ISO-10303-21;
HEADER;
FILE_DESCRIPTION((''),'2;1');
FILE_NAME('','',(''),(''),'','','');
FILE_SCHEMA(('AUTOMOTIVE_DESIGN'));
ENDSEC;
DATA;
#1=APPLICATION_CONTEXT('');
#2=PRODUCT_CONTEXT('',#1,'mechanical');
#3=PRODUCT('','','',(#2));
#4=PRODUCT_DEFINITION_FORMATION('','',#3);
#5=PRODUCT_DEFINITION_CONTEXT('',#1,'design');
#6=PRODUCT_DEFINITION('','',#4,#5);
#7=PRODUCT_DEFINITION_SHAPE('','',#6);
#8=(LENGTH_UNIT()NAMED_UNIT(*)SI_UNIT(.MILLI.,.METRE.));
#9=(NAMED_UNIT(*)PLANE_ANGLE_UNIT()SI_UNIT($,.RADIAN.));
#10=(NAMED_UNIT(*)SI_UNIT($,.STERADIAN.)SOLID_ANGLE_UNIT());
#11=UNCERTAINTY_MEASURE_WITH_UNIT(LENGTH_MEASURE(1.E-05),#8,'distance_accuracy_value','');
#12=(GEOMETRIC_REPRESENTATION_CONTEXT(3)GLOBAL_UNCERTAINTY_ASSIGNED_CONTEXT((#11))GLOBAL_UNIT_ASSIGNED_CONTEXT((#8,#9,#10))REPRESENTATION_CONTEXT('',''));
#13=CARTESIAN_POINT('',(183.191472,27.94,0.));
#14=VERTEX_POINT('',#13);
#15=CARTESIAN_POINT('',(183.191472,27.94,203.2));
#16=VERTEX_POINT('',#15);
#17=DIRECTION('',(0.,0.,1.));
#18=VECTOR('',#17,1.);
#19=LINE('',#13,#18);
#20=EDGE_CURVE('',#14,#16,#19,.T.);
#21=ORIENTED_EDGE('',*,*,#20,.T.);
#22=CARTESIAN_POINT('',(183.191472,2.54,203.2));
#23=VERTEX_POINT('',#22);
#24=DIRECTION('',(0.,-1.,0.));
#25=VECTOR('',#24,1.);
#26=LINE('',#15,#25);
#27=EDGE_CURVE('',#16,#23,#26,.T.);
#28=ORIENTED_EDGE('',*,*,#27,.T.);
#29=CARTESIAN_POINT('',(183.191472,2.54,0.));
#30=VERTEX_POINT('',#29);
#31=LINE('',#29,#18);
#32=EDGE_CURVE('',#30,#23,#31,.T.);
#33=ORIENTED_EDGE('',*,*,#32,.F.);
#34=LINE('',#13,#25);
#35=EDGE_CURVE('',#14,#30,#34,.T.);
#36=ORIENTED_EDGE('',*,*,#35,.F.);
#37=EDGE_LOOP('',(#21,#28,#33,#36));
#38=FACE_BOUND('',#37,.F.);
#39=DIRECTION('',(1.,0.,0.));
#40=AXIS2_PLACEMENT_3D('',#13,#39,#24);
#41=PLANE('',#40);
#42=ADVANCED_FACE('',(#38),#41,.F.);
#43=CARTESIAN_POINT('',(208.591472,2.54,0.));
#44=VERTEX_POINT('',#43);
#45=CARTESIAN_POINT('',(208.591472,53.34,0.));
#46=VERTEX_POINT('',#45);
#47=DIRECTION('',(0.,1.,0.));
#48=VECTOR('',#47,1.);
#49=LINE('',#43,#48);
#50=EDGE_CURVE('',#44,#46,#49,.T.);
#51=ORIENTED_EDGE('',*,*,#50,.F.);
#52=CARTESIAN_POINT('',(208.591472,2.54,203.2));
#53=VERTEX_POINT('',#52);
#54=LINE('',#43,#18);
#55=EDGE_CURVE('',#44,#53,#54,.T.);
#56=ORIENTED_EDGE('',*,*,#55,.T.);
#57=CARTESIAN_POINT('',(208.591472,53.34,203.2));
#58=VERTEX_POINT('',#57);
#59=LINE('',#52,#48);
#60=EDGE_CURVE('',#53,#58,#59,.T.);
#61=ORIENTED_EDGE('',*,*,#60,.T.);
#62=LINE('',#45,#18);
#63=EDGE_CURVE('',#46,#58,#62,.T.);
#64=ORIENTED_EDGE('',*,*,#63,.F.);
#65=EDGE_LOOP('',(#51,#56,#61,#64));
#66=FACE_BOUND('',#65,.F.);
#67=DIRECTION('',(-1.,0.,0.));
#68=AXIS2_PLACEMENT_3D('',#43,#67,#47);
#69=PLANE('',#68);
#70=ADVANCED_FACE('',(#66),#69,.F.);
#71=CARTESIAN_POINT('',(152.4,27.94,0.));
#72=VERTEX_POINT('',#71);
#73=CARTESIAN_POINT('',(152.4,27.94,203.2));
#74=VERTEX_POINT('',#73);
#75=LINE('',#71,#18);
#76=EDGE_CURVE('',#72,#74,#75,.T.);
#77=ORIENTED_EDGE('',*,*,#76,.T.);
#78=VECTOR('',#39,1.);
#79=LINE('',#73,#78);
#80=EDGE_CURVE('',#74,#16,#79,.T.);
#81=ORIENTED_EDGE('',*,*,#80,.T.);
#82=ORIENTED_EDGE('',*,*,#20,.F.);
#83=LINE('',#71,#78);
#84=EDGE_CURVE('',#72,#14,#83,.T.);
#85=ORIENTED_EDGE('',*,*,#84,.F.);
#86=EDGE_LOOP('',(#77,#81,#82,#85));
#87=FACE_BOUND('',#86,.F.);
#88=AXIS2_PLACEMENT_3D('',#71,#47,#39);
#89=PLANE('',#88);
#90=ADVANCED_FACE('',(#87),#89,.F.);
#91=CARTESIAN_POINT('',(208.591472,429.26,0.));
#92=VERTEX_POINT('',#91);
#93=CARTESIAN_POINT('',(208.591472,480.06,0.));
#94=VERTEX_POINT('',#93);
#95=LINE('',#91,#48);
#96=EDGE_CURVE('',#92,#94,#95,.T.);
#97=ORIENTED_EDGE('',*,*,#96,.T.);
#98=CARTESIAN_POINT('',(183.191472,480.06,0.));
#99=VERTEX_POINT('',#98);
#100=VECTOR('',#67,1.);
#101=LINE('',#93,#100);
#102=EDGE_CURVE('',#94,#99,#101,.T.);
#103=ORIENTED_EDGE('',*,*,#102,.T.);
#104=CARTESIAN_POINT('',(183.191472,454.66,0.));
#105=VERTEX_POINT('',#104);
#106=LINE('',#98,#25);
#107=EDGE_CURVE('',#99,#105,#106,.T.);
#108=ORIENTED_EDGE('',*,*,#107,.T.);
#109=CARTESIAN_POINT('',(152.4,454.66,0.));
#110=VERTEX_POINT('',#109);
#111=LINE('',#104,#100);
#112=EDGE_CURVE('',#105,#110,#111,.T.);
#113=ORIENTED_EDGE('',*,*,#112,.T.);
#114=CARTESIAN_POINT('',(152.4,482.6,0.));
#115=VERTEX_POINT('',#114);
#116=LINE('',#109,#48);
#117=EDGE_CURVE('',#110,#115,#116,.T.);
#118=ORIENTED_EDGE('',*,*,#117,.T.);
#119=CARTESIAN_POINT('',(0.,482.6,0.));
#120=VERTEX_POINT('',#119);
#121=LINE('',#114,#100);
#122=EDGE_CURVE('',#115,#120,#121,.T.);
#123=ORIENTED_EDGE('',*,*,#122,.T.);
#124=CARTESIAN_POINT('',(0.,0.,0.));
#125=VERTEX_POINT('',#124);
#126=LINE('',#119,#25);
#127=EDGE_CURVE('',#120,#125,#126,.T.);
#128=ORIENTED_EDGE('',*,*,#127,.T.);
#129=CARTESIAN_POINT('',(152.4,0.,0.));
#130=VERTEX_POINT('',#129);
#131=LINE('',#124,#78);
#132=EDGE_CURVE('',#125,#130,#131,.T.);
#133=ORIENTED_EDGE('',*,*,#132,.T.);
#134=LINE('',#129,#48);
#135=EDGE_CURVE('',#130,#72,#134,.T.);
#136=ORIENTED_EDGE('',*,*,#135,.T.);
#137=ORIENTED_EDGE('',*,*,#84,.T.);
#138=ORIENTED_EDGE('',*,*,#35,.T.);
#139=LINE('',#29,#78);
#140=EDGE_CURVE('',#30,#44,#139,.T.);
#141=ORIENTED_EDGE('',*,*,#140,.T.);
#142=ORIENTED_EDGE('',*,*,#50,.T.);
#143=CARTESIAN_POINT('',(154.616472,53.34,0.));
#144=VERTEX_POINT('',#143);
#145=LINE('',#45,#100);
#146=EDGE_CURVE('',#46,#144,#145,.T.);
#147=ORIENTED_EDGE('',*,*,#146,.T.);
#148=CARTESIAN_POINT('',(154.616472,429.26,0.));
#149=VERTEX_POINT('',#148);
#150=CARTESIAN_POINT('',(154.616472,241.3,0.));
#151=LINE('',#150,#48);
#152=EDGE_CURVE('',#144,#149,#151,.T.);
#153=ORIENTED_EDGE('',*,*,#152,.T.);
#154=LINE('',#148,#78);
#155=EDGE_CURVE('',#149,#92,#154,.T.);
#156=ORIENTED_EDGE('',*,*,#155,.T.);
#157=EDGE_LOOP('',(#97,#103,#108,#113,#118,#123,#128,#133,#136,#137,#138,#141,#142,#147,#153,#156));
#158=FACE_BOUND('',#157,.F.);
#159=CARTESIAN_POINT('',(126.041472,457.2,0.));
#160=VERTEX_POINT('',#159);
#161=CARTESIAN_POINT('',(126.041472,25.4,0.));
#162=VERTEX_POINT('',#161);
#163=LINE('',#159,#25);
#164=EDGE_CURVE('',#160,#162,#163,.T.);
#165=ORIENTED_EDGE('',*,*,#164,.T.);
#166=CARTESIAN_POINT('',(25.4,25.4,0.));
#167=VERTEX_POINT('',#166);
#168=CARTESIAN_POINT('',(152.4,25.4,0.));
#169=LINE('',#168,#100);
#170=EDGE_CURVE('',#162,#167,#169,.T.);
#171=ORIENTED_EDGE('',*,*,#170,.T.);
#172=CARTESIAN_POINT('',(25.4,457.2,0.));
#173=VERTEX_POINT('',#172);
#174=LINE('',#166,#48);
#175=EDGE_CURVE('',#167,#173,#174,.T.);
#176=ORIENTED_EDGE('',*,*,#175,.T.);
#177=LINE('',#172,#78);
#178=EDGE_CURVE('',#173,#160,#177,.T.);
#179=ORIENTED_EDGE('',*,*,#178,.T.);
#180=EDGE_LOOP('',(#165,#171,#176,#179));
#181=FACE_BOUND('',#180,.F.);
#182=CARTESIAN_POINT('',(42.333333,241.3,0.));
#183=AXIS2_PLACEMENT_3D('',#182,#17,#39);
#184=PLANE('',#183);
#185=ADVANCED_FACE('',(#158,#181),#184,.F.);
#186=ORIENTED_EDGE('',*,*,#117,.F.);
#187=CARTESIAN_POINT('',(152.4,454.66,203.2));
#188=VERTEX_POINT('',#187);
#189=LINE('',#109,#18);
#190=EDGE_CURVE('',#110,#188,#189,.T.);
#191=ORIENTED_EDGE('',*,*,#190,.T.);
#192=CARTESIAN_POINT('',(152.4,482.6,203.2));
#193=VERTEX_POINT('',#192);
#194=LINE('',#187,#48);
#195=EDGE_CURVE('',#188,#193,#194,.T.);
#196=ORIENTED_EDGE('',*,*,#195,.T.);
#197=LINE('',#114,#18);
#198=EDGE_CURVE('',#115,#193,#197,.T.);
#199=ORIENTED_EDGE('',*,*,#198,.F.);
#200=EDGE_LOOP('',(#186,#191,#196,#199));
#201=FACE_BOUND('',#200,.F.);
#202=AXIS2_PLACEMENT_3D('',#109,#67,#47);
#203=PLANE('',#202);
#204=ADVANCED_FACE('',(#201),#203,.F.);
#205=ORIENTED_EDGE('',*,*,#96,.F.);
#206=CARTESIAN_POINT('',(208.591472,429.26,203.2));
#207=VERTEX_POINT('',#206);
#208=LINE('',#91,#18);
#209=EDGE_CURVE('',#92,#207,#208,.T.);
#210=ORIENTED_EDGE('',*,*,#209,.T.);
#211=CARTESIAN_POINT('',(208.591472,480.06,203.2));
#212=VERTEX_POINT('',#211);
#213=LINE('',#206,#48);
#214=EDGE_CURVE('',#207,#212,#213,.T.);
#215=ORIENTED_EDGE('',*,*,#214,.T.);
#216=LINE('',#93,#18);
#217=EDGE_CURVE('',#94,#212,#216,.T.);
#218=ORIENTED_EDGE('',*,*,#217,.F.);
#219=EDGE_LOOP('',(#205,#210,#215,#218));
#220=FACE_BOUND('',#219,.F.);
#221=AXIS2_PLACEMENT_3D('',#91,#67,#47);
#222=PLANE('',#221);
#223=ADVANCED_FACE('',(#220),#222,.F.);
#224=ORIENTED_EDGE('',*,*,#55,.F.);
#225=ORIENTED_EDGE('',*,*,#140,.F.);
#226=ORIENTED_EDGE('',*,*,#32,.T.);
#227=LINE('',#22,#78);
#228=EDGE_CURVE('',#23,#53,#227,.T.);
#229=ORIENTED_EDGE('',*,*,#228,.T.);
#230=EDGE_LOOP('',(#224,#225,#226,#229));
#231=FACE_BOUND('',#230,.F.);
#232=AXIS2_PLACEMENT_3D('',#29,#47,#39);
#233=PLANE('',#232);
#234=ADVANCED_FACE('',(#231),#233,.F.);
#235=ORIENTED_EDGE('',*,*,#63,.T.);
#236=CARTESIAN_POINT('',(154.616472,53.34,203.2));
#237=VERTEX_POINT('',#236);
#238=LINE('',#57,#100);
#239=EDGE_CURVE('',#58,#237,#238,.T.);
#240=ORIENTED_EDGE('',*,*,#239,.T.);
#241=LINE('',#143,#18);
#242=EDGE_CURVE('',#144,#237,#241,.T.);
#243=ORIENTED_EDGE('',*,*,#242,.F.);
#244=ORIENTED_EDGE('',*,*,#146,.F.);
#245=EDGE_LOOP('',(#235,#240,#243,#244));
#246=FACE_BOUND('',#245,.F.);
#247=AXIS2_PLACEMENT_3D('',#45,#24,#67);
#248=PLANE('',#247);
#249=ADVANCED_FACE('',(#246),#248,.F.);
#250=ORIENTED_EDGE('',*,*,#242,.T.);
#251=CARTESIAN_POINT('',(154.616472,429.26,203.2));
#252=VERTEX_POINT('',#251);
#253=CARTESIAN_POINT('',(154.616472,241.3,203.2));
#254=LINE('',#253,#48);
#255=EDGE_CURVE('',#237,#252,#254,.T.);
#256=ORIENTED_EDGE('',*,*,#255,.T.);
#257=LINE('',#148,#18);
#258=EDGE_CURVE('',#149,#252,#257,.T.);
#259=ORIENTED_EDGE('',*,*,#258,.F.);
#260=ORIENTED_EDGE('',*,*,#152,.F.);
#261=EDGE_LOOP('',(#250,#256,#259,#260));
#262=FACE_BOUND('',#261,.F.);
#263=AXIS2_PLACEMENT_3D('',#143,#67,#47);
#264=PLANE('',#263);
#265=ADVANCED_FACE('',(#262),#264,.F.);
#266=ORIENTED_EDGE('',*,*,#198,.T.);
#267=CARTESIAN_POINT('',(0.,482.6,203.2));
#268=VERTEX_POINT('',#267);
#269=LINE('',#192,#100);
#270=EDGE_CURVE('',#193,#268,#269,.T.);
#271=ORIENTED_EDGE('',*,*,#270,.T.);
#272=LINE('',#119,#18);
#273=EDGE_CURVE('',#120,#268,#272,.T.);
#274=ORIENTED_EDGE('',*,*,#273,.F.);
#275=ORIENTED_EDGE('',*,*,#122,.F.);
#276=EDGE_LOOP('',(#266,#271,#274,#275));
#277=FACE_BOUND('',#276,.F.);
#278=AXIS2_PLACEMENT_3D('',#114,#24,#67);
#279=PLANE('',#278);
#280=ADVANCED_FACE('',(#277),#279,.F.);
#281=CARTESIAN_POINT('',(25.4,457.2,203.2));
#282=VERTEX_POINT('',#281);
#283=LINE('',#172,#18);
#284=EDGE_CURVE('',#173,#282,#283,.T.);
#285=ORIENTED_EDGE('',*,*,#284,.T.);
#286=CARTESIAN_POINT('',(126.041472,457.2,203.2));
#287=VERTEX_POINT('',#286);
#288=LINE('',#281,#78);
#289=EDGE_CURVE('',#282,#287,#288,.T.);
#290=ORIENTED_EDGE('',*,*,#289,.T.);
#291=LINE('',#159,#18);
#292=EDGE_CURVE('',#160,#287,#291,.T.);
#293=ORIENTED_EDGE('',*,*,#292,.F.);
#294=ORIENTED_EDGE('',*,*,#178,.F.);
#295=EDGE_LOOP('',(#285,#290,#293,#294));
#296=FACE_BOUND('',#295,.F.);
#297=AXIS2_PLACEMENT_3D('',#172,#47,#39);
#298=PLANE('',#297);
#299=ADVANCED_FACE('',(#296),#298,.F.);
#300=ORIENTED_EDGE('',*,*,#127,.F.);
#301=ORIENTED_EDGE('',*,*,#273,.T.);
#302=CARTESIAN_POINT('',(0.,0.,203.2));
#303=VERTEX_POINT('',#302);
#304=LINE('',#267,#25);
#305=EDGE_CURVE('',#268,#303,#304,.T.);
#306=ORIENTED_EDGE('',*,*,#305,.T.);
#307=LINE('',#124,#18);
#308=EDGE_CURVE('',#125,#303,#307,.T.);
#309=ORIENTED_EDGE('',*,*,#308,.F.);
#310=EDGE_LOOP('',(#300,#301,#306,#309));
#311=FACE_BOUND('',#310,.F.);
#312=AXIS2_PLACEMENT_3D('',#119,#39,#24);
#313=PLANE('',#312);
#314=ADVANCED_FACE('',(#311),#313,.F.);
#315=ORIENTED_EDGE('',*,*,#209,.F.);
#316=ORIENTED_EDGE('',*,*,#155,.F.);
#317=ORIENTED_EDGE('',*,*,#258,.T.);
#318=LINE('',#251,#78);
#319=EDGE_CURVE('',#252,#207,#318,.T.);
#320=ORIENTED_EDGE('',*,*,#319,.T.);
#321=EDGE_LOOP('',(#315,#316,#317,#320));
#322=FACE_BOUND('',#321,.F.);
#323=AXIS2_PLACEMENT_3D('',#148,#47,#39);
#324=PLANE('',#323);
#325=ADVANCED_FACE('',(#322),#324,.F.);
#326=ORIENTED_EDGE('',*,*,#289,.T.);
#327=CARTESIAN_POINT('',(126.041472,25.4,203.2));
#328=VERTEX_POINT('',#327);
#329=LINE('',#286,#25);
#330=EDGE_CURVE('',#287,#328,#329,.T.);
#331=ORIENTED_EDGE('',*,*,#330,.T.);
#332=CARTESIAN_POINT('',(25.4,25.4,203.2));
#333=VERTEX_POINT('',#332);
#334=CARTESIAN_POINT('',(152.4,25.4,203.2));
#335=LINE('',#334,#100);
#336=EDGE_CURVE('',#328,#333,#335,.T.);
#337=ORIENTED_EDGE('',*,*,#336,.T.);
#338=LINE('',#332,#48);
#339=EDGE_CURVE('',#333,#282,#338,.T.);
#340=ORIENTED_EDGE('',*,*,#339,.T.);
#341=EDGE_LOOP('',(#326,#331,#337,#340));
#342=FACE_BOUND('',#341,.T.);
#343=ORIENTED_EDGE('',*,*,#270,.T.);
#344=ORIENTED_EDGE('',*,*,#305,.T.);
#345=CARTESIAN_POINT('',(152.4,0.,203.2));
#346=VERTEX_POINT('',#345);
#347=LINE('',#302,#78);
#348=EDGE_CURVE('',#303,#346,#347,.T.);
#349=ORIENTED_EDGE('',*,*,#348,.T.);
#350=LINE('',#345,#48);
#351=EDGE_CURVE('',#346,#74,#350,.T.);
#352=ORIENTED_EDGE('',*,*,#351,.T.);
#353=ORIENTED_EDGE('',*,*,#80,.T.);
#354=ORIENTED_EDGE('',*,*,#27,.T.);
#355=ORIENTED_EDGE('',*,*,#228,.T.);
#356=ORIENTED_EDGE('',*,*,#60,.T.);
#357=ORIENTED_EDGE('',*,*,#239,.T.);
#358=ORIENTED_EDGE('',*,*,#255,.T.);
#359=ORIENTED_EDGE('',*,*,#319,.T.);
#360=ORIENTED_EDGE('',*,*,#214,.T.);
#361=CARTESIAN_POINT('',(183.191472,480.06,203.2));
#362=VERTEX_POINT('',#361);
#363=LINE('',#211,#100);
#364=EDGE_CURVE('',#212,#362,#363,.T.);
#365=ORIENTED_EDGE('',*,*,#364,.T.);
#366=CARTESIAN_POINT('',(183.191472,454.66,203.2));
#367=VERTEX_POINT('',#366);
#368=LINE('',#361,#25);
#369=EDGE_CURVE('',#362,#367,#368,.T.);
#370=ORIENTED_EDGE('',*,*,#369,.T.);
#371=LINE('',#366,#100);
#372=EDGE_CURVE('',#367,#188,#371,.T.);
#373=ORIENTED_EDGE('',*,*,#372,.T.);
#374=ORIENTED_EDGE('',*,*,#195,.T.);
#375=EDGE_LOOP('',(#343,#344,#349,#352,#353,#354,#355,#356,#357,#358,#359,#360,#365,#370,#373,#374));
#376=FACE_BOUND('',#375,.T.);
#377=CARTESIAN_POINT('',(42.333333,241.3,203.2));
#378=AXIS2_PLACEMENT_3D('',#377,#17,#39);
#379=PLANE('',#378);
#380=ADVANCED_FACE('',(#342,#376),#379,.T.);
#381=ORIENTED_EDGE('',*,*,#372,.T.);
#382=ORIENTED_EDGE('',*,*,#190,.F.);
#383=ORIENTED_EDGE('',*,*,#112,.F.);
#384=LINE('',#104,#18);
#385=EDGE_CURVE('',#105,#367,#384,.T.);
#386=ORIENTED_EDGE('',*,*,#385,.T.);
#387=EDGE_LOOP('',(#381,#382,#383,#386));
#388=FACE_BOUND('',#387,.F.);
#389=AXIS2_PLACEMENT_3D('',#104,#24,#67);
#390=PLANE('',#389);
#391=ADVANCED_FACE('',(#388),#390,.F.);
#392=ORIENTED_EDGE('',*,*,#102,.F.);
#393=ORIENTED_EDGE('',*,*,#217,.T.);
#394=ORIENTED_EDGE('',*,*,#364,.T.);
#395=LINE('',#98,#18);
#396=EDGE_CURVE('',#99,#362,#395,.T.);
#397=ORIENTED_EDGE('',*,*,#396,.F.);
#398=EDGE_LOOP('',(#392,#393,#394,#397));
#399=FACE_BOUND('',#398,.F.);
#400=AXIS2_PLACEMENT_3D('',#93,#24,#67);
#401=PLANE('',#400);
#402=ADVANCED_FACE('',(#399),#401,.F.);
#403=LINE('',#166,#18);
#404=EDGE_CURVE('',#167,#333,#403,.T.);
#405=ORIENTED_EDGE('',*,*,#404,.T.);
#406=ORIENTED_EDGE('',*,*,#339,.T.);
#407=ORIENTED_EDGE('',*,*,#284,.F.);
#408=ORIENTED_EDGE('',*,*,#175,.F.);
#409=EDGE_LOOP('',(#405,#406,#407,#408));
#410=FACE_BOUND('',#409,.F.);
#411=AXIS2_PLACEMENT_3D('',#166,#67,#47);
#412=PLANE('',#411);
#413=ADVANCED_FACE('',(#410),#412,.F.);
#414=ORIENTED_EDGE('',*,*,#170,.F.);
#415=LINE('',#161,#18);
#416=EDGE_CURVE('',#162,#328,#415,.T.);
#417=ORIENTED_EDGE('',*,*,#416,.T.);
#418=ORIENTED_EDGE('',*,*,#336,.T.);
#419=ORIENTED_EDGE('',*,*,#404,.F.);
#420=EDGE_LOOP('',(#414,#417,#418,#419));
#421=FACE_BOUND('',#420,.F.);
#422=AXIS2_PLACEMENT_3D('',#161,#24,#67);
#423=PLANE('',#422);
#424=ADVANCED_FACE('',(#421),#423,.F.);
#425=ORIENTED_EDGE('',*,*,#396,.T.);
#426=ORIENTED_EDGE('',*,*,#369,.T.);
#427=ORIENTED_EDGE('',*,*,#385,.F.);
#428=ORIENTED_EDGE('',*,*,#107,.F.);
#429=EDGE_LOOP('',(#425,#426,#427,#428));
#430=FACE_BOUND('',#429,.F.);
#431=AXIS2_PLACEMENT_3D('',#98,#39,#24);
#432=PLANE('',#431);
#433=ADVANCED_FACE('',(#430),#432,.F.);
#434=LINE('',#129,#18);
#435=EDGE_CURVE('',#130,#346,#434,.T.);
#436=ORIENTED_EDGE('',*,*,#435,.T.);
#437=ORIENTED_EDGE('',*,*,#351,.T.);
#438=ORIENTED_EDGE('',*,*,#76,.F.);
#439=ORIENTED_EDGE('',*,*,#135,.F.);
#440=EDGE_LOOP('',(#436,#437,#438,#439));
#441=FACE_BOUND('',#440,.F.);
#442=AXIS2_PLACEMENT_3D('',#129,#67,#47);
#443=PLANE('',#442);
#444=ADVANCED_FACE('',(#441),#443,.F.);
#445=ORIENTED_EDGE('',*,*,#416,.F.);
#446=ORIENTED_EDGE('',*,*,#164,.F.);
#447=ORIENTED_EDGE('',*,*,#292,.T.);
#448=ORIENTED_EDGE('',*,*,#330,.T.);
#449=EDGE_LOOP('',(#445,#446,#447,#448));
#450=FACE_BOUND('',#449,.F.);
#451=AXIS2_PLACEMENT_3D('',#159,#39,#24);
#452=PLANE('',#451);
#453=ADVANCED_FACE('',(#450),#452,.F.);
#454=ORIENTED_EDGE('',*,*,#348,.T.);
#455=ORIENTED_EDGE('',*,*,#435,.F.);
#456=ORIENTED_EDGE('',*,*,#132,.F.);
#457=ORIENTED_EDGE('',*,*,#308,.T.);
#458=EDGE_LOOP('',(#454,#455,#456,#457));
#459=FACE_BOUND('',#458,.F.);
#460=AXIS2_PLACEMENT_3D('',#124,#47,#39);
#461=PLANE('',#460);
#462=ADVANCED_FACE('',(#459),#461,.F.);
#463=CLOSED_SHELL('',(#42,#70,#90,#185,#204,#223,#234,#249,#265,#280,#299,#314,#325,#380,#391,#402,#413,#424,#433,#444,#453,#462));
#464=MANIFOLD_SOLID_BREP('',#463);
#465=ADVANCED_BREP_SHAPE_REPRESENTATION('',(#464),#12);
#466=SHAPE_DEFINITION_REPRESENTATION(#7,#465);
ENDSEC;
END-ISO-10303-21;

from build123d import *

# Parameters (mm, degrees)
F0_W     = 26.358528
F0_H     = 2.54
F0_W_2   = 28.575
F0_H_2   = 375.92
F1_DEPTH = 203.2


with BuildPart() as f1:
    # F0 (on Top) → F1 (new body)
    with BuildSketch(Plane.XY):
        Polygon((0, 482.6), (0, 0), (152.4, 0), (152.4, 25.4), (126.041472, 25.4), (25.4, 25.4), (25.4, 457.2), (126.041472, 457.2), (152.4, 457.2), (152.4, 482.6), align=None)
        with Locations((139.220736, 26.67)):
            Rectangle(F0_W, F0_H)
        Polygon((126.041472, 27.94), (152.4, 27.94), (183.191472, 27.94), (183.191472, 53.34), (154.616472, 53.34), (126.041472, 53.34), align=None)
        with Locations((139.220736, 455.93)):
            Rectangle(F0_W, F0_H)
        Polygon((183.191472, 53.34), (183.191472, 27.94), (183.191472, 2.54), (208.591472, 2.54), (208.591472, 53.34), align=None)
        Polygon((183.191472, 454.66), (152.4, 454.66), (126.041472, 454.66), (126.041472, 429.26), (154.616472, 429.26), (183.191472, 429.26), align=None)
        with Locations((140.328972, 241.3)):
            Rectangle(F0_W_2, F0_H_2)
        Polygon((183.191472, 480.06), (183.191472, 454.66), (183.191472, 429.26), (208.591472, 429.26), (208.591472, 480.06), align=None)
    extrude(amount=F1_DEPTH)


solid = f1.part
